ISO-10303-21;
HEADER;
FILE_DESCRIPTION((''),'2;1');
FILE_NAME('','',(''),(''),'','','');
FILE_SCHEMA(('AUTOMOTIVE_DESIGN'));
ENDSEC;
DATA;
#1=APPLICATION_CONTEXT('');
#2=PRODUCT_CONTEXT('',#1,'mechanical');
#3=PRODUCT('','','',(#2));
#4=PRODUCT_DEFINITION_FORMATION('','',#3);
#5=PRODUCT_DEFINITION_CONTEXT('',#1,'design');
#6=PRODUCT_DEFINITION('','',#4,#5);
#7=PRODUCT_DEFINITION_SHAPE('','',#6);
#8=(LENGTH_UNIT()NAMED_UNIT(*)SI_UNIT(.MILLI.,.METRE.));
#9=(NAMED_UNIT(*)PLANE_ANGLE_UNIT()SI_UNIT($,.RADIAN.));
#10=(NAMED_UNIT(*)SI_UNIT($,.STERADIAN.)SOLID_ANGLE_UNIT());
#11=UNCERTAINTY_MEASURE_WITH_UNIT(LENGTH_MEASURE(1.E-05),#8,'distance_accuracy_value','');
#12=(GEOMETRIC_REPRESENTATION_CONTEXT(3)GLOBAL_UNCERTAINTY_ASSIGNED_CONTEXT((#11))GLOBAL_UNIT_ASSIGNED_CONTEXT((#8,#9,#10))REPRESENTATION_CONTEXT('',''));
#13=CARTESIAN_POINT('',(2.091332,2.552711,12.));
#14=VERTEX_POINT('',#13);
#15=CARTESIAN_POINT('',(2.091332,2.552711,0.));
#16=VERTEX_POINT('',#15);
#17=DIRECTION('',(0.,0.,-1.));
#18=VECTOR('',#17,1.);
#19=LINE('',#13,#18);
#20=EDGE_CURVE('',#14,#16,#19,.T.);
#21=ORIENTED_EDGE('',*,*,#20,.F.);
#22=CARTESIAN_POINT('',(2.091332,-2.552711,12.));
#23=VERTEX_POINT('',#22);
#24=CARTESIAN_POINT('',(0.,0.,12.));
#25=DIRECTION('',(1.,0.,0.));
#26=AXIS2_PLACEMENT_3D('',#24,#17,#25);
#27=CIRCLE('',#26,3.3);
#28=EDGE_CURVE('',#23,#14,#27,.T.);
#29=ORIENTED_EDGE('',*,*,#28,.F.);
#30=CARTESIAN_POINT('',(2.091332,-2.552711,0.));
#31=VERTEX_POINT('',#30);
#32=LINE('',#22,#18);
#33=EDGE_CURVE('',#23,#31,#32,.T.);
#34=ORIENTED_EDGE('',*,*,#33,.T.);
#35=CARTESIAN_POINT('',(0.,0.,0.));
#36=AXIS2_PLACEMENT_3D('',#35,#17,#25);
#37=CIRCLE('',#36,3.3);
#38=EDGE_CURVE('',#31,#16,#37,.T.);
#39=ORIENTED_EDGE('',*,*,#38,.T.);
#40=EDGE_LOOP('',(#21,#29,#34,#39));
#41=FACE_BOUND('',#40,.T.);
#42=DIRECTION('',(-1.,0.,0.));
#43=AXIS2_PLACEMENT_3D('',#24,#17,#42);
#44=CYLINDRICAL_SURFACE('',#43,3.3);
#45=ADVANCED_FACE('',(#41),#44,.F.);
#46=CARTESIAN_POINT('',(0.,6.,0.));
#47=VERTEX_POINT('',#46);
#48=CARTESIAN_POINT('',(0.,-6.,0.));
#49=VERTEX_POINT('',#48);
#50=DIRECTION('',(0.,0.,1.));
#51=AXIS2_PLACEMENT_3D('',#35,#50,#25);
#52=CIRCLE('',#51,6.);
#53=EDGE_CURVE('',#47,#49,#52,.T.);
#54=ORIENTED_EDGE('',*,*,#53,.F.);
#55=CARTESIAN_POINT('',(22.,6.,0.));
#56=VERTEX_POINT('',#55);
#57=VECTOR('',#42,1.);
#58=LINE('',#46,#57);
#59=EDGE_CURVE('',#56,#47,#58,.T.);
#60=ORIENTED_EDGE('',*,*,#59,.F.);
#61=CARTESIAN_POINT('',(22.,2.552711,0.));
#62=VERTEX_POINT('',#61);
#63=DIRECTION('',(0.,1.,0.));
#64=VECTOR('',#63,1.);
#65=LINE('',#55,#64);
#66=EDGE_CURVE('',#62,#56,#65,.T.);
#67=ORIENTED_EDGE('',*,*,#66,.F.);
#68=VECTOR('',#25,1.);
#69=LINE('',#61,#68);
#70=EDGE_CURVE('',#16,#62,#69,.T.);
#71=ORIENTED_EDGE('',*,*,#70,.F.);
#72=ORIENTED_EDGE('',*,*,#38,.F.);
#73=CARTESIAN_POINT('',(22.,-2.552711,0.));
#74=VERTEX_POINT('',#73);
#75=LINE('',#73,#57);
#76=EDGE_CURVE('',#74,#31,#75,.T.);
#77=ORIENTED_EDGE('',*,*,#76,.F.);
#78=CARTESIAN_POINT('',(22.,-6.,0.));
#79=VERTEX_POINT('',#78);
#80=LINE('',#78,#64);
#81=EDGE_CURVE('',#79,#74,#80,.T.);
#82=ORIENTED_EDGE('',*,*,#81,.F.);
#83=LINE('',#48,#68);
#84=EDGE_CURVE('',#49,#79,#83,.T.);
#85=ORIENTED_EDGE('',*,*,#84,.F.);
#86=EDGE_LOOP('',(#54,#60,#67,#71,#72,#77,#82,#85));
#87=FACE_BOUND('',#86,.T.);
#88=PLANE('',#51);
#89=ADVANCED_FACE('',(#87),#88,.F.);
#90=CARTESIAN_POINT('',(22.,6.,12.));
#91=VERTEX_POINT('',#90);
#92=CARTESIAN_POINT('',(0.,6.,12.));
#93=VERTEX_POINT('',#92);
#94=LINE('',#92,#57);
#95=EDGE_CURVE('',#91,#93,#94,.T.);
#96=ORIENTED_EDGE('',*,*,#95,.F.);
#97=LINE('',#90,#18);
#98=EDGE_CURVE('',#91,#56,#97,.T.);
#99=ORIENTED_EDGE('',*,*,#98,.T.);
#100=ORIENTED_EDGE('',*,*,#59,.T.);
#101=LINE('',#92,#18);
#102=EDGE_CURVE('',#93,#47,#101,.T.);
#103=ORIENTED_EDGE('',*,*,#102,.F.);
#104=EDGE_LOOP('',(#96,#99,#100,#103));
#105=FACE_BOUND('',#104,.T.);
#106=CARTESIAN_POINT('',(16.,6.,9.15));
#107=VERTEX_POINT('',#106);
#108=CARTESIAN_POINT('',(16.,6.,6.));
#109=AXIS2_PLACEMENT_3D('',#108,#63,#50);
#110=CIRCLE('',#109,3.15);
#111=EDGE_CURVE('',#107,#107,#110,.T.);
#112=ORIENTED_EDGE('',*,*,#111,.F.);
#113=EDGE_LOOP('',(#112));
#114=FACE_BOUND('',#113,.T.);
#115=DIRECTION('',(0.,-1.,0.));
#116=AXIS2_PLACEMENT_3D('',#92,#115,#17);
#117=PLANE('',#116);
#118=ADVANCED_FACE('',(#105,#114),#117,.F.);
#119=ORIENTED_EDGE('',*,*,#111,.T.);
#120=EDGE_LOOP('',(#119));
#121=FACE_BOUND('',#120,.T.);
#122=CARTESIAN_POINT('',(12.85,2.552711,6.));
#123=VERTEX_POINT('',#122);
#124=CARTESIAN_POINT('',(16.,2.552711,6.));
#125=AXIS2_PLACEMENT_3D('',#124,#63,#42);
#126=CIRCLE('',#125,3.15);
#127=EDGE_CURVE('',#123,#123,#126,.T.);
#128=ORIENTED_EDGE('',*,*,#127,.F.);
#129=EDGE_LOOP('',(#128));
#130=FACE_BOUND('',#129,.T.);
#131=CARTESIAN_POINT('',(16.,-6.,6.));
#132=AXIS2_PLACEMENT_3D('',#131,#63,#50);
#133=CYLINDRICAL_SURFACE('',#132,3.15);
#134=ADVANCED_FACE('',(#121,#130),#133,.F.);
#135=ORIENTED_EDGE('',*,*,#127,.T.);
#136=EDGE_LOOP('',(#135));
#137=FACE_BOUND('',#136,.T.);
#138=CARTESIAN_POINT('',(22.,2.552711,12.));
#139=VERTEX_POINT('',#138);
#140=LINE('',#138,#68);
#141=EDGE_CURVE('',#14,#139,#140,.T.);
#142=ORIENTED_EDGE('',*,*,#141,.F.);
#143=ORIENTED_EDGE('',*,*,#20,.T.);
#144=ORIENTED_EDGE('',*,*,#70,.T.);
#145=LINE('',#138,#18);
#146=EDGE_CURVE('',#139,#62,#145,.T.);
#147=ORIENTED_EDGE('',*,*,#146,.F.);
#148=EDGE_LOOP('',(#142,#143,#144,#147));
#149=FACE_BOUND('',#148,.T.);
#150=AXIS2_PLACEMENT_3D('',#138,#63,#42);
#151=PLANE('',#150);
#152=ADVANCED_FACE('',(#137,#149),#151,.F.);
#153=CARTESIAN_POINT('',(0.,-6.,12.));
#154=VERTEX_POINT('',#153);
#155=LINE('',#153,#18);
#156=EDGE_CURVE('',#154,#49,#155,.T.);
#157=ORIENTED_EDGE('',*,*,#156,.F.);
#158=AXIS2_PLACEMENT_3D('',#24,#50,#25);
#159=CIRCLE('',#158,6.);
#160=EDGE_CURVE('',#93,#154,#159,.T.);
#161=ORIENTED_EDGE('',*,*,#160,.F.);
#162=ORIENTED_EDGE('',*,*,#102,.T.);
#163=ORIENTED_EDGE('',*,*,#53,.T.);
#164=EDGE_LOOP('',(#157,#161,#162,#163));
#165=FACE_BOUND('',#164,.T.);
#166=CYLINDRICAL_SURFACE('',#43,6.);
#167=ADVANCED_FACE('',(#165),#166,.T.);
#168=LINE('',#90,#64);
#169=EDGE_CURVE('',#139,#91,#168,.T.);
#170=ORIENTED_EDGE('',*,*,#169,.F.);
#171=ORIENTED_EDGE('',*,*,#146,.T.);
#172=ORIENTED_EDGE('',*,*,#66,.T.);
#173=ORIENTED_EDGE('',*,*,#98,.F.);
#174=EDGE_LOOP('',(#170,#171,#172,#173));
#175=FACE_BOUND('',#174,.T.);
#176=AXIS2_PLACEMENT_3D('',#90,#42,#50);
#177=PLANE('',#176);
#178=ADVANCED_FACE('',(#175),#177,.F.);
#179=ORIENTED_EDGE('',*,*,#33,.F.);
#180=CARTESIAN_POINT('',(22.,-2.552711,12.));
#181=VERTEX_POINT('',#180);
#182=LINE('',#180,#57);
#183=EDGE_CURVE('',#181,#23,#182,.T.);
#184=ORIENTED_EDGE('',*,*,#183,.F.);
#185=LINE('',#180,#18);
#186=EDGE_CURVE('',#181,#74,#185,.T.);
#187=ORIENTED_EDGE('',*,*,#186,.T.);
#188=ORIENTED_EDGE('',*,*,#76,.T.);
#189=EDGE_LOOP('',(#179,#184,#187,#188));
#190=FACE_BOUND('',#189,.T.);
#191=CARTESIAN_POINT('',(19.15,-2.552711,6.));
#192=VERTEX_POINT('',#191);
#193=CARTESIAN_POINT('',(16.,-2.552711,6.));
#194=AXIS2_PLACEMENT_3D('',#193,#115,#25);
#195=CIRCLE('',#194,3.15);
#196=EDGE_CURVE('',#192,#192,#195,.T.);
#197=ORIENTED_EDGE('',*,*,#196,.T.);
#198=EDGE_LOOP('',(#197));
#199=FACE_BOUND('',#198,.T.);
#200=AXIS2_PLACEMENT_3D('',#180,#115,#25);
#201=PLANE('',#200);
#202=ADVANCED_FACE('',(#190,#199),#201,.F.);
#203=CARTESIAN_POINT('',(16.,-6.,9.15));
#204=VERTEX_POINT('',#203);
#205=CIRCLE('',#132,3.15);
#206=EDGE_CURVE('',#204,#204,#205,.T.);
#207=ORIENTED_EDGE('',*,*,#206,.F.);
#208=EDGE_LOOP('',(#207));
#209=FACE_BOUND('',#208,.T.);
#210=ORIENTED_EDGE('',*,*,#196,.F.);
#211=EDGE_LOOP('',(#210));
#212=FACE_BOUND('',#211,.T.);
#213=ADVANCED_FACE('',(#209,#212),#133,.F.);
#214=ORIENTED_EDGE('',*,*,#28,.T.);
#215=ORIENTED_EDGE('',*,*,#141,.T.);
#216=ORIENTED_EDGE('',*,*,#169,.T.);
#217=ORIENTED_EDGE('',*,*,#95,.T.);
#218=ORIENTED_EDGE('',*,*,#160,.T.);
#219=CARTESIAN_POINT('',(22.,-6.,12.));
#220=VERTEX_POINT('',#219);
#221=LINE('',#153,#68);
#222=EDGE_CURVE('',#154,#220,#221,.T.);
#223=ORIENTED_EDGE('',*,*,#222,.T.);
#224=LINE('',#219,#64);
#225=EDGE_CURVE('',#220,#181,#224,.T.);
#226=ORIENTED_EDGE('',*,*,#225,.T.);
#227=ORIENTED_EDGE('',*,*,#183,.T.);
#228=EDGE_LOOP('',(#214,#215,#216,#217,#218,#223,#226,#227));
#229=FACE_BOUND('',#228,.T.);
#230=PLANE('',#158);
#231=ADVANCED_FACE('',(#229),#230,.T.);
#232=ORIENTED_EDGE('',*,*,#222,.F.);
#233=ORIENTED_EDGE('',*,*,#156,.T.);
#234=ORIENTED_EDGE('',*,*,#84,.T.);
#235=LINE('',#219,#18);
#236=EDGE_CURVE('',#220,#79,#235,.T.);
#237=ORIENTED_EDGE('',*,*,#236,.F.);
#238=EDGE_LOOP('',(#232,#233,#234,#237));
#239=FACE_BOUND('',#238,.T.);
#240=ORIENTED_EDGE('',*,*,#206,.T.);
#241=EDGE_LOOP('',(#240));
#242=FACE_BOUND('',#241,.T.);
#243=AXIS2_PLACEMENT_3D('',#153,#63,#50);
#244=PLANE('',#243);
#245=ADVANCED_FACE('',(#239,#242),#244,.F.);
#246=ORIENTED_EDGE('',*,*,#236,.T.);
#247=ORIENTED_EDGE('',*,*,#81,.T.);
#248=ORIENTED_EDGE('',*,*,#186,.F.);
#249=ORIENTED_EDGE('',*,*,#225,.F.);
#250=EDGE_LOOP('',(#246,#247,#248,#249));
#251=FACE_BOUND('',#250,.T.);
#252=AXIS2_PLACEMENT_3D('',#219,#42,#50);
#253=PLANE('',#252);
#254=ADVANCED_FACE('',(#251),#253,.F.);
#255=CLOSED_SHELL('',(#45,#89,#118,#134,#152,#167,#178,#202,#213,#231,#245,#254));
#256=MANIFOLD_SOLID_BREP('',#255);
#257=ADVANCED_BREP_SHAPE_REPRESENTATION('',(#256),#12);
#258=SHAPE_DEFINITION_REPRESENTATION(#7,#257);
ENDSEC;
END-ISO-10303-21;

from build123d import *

# Parameters (mm, degrees)
BOSS_EXTRUDE1_DEPTH     = 12
CUT_EXTRUDE1_DEPTH      = 26.768197453
CUT_EXTRUDE1_DEPTH_BACK = 26.768197453
SKETCH2_R               = 3.15


with BuildPart() as part:
    # Sketch1 → Boss-Extrude1 (new body)
    with BuildSketch(Plane.XY):
        with BuildLine():
            Line((0, 6), (22, 6))
            Line((22, 6), (22, 2.552710574))
            Line((22, 2.552710574), (2.091331807, 2.552710574))
            ThreePointArc((2.091331807, 2.552710574), (-3.3, 0), (2.091331807, -2.552710574))
            Line((2.091331807, -2.552710574), (22, -2.552710574))
            Line((22, -2.552710574), (22, -6))
            Line((22, -6), (0, -6))
            ThreePointArc((0, -6), (-6, 0), (0, 6))
        make_face()
    extrude(amount=BOSS_EXTRUDE1_DEPTH)

    # Sketch2 → Cut-Extrude1 (cut, two sides: drawn at the far end of the back side and taken through both)
    with BuildSketch(Plane(origin=(0, 0, 0), x_dir=(1, 0, 0), z_dir=(0, 1, 0)).offset(-CUT_EXTRUDE1_DEPTH_BACK)):
        with Locations(Location((16, -6, 0), (0, 0, 270))):
            Circle(SKETCH2_R)
    extrude(amount=CUT_EXTRUDE1_DEPTH + CUT_EXTRUDE1_DEPTH_BACK, mode=Mode.SUBTRACT)


solid = part.part
